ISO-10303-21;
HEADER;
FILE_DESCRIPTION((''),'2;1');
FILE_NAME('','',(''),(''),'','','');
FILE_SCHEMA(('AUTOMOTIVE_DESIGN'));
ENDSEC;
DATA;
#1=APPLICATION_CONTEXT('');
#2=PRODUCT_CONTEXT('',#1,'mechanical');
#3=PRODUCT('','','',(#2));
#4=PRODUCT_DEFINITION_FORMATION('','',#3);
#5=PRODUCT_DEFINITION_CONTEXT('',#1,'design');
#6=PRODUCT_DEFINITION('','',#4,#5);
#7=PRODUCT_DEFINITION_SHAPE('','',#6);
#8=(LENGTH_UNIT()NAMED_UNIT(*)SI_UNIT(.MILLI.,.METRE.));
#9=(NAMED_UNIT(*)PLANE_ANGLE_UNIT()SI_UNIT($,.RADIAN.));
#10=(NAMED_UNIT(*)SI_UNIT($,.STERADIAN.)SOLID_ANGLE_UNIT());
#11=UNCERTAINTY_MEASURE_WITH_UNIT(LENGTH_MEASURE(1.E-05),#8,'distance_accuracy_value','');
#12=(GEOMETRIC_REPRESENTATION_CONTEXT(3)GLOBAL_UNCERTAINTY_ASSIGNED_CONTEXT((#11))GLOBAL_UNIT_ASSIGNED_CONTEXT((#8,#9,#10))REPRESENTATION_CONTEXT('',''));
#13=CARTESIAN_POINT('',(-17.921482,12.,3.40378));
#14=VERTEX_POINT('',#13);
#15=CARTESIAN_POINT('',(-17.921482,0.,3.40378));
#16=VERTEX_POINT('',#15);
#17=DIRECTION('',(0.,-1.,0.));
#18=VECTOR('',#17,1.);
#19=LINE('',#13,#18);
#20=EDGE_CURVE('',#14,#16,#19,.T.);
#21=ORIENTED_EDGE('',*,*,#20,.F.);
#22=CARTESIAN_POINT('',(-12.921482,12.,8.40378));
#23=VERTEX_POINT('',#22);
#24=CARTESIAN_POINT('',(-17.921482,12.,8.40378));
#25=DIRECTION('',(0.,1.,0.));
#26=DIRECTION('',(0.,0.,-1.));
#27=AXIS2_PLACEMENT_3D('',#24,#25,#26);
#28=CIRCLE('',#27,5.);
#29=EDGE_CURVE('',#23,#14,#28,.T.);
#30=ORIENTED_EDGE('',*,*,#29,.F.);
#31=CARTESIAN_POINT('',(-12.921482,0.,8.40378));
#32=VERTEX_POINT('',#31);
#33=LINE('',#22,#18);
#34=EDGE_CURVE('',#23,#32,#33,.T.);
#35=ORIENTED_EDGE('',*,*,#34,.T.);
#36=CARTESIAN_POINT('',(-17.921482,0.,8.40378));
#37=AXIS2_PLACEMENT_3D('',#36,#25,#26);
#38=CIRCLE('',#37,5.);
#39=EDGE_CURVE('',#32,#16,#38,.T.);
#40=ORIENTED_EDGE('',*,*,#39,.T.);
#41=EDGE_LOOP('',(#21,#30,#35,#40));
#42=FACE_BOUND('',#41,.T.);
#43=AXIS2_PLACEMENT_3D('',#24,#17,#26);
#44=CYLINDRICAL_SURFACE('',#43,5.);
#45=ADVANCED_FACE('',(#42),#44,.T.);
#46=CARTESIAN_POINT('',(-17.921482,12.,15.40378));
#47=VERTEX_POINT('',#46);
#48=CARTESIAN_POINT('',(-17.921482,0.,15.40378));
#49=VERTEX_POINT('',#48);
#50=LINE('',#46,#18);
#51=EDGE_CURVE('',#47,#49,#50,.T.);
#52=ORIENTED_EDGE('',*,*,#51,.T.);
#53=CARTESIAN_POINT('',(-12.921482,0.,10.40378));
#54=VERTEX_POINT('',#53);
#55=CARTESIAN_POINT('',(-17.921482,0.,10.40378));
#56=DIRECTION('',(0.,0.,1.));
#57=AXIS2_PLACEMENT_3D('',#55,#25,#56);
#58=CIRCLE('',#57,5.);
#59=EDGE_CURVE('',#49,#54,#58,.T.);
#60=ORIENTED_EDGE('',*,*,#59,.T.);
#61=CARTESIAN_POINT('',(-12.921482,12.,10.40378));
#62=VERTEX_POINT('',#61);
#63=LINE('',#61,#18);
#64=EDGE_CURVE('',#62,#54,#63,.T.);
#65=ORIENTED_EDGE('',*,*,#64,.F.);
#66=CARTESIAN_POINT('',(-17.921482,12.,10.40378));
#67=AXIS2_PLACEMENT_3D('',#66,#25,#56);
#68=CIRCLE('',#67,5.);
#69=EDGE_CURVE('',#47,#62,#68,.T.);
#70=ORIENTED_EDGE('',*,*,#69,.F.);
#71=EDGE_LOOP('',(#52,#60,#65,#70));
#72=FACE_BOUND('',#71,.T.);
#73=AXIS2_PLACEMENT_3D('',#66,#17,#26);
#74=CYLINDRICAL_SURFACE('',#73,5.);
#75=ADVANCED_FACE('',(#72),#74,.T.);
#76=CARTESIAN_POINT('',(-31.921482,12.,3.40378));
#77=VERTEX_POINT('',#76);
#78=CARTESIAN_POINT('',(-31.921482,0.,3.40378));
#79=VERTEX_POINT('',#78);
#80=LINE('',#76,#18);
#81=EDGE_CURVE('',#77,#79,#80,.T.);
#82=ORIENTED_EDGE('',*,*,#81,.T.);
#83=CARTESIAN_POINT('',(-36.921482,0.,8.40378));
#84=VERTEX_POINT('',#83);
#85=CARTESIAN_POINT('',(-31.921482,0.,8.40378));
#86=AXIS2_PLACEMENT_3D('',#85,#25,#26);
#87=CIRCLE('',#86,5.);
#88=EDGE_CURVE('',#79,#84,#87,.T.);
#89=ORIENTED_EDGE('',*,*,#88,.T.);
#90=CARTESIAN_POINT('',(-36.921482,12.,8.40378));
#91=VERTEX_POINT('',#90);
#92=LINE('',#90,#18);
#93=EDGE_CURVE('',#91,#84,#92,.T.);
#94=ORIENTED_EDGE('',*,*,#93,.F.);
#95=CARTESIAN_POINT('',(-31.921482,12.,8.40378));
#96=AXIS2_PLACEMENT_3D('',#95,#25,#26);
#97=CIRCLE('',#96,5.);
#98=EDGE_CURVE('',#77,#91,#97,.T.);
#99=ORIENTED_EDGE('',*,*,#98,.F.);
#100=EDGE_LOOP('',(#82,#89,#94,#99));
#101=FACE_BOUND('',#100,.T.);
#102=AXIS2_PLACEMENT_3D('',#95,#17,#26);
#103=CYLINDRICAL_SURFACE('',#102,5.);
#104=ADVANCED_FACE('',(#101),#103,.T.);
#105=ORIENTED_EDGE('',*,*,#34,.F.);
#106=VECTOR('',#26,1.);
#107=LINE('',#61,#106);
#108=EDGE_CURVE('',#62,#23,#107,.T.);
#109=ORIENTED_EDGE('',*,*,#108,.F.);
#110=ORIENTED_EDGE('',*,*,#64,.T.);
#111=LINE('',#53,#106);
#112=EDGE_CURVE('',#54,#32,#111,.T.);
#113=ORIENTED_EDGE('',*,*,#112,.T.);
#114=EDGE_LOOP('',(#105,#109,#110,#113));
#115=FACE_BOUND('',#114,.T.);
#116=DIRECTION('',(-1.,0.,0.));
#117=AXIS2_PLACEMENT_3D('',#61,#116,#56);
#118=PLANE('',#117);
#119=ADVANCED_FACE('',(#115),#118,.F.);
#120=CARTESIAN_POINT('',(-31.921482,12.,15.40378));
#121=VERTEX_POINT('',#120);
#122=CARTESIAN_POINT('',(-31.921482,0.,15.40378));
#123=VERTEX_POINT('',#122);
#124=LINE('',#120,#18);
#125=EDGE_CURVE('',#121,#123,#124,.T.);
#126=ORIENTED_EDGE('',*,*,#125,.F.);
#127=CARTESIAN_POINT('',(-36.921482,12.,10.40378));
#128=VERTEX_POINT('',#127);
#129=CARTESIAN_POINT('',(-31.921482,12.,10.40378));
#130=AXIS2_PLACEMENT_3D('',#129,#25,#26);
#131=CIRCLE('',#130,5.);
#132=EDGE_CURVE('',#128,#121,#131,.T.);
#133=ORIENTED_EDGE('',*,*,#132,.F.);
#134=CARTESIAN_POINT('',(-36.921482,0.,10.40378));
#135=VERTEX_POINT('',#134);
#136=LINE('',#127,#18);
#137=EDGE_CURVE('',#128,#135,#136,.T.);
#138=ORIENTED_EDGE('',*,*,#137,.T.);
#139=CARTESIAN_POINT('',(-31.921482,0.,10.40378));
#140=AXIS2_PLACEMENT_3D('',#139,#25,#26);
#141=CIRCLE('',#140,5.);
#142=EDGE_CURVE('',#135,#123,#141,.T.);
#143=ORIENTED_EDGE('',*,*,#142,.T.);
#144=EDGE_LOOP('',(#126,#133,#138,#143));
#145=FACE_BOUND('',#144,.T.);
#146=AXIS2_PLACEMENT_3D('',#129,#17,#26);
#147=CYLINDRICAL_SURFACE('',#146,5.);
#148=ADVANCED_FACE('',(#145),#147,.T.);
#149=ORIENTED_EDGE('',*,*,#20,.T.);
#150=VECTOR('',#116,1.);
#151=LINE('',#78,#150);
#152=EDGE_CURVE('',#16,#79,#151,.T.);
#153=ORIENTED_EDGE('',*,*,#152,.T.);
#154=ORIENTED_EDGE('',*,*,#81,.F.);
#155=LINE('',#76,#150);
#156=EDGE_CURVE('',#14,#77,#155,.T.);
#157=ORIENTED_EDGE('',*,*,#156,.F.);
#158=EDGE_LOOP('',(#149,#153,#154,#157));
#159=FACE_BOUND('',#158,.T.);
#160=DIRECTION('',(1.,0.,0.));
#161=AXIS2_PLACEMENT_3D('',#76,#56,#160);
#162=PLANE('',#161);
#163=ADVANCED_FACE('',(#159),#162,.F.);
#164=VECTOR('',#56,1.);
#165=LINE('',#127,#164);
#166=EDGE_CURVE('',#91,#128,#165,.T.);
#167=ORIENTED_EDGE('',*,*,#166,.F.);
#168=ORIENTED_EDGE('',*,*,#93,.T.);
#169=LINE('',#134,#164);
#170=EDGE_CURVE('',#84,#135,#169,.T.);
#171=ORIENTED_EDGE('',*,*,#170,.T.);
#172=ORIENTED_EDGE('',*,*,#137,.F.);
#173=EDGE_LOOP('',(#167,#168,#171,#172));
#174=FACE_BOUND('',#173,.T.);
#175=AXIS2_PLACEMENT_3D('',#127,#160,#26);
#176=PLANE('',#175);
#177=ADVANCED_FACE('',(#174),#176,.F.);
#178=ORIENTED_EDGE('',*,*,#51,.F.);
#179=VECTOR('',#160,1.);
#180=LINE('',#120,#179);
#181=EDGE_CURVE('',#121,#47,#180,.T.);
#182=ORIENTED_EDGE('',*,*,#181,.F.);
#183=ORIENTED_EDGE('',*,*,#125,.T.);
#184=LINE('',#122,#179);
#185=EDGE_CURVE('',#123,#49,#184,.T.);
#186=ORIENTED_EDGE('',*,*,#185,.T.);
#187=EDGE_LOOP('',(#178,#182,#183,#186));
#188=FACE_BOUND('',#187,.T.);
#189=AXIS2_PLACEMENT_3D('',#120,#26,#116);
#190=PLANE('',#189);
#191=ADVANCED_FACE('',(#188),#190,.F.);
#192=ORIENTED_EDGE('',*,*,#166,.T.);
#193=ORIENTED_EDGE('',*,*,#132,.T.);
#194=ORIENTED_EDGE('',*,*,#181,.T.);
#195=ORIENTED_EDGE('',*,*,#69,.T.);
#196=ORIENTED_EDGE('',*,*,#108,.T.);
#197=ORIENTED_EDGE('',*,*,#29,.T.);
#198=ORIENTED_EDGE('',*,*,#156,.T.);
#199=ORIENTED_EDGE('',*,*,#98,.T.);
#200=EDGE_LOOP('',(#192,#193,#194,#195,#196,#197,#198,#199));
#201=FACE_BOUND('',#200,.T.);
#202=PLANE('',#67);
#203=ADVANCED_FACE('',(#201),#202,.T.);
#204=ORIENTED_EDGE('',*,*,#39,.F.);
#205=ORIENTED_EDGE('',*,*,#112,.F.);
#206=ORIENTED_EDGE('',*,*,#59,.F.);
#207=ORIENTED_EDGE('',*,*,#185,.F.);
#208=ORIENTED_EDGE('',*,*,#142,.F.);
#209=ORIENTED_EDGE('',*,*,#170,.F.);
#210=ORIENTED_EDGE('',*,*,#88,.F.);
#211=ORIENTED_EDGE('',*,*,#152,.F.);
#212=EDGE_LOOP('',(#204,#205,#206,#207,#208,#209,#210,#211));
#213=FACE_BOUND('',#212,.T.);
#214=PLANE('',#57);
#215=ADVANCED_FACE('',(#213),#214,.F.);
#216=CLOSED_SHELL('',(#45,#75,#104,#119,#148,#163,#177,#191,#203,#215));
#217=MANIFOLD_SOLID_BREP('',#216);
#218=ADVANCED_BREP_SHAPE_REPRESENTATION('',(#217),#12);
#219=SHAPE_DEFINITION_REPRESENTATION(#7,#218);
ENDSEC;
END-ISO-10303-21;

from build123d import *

# Parameters (mm, degrees)
RESSALTO_EXTRUS_O1_DEPTH = 12


with BuildPart() as part:
    # Esboço1 → Ressalto-extrusão1 (new body)
    with BuildSketch(Plane(origin=(0, 0, 0), x_dir=(1, 0, 0), z_dir=(0, 1, 0))):
        with BuildLine():
            Line((-31.921481623, -15.403780026), (-17.921481623, -15.403780026))
            ThreePointArc((-17.921481623, -15.403780026), (-14.385947717, -13.939313932), (-12.921481623, -10.403780026))
            Line((-12.921481623, -10.403780026), (-12.921481623, -8.403780026))
            ThreePointArc((-12.921481623, -8.403780026), (-14.385947717, -4.86824612), (-17.921481623, -3.403780026))
            Line((-17.921481623, -3.403780026), (-31.921481623, -3.403780026))
            ThreePointArc((-31.921481623, -3.403780026), (-35.457015529, -4.86824612), (-36.921481623, -8.403780026))
            Line((-36.921481623, -8.403780026), (-36.921481623, -10.403780026))
            ThreePointArc((-36.921481623, -10.403780026), (-35.457015529, -13.939313932), (-31.921481623, -15.403780026))
        make_face()
    extrude(amount=RESSALTO_EXTRUS_O1_DEPTH)


solid = part.part
